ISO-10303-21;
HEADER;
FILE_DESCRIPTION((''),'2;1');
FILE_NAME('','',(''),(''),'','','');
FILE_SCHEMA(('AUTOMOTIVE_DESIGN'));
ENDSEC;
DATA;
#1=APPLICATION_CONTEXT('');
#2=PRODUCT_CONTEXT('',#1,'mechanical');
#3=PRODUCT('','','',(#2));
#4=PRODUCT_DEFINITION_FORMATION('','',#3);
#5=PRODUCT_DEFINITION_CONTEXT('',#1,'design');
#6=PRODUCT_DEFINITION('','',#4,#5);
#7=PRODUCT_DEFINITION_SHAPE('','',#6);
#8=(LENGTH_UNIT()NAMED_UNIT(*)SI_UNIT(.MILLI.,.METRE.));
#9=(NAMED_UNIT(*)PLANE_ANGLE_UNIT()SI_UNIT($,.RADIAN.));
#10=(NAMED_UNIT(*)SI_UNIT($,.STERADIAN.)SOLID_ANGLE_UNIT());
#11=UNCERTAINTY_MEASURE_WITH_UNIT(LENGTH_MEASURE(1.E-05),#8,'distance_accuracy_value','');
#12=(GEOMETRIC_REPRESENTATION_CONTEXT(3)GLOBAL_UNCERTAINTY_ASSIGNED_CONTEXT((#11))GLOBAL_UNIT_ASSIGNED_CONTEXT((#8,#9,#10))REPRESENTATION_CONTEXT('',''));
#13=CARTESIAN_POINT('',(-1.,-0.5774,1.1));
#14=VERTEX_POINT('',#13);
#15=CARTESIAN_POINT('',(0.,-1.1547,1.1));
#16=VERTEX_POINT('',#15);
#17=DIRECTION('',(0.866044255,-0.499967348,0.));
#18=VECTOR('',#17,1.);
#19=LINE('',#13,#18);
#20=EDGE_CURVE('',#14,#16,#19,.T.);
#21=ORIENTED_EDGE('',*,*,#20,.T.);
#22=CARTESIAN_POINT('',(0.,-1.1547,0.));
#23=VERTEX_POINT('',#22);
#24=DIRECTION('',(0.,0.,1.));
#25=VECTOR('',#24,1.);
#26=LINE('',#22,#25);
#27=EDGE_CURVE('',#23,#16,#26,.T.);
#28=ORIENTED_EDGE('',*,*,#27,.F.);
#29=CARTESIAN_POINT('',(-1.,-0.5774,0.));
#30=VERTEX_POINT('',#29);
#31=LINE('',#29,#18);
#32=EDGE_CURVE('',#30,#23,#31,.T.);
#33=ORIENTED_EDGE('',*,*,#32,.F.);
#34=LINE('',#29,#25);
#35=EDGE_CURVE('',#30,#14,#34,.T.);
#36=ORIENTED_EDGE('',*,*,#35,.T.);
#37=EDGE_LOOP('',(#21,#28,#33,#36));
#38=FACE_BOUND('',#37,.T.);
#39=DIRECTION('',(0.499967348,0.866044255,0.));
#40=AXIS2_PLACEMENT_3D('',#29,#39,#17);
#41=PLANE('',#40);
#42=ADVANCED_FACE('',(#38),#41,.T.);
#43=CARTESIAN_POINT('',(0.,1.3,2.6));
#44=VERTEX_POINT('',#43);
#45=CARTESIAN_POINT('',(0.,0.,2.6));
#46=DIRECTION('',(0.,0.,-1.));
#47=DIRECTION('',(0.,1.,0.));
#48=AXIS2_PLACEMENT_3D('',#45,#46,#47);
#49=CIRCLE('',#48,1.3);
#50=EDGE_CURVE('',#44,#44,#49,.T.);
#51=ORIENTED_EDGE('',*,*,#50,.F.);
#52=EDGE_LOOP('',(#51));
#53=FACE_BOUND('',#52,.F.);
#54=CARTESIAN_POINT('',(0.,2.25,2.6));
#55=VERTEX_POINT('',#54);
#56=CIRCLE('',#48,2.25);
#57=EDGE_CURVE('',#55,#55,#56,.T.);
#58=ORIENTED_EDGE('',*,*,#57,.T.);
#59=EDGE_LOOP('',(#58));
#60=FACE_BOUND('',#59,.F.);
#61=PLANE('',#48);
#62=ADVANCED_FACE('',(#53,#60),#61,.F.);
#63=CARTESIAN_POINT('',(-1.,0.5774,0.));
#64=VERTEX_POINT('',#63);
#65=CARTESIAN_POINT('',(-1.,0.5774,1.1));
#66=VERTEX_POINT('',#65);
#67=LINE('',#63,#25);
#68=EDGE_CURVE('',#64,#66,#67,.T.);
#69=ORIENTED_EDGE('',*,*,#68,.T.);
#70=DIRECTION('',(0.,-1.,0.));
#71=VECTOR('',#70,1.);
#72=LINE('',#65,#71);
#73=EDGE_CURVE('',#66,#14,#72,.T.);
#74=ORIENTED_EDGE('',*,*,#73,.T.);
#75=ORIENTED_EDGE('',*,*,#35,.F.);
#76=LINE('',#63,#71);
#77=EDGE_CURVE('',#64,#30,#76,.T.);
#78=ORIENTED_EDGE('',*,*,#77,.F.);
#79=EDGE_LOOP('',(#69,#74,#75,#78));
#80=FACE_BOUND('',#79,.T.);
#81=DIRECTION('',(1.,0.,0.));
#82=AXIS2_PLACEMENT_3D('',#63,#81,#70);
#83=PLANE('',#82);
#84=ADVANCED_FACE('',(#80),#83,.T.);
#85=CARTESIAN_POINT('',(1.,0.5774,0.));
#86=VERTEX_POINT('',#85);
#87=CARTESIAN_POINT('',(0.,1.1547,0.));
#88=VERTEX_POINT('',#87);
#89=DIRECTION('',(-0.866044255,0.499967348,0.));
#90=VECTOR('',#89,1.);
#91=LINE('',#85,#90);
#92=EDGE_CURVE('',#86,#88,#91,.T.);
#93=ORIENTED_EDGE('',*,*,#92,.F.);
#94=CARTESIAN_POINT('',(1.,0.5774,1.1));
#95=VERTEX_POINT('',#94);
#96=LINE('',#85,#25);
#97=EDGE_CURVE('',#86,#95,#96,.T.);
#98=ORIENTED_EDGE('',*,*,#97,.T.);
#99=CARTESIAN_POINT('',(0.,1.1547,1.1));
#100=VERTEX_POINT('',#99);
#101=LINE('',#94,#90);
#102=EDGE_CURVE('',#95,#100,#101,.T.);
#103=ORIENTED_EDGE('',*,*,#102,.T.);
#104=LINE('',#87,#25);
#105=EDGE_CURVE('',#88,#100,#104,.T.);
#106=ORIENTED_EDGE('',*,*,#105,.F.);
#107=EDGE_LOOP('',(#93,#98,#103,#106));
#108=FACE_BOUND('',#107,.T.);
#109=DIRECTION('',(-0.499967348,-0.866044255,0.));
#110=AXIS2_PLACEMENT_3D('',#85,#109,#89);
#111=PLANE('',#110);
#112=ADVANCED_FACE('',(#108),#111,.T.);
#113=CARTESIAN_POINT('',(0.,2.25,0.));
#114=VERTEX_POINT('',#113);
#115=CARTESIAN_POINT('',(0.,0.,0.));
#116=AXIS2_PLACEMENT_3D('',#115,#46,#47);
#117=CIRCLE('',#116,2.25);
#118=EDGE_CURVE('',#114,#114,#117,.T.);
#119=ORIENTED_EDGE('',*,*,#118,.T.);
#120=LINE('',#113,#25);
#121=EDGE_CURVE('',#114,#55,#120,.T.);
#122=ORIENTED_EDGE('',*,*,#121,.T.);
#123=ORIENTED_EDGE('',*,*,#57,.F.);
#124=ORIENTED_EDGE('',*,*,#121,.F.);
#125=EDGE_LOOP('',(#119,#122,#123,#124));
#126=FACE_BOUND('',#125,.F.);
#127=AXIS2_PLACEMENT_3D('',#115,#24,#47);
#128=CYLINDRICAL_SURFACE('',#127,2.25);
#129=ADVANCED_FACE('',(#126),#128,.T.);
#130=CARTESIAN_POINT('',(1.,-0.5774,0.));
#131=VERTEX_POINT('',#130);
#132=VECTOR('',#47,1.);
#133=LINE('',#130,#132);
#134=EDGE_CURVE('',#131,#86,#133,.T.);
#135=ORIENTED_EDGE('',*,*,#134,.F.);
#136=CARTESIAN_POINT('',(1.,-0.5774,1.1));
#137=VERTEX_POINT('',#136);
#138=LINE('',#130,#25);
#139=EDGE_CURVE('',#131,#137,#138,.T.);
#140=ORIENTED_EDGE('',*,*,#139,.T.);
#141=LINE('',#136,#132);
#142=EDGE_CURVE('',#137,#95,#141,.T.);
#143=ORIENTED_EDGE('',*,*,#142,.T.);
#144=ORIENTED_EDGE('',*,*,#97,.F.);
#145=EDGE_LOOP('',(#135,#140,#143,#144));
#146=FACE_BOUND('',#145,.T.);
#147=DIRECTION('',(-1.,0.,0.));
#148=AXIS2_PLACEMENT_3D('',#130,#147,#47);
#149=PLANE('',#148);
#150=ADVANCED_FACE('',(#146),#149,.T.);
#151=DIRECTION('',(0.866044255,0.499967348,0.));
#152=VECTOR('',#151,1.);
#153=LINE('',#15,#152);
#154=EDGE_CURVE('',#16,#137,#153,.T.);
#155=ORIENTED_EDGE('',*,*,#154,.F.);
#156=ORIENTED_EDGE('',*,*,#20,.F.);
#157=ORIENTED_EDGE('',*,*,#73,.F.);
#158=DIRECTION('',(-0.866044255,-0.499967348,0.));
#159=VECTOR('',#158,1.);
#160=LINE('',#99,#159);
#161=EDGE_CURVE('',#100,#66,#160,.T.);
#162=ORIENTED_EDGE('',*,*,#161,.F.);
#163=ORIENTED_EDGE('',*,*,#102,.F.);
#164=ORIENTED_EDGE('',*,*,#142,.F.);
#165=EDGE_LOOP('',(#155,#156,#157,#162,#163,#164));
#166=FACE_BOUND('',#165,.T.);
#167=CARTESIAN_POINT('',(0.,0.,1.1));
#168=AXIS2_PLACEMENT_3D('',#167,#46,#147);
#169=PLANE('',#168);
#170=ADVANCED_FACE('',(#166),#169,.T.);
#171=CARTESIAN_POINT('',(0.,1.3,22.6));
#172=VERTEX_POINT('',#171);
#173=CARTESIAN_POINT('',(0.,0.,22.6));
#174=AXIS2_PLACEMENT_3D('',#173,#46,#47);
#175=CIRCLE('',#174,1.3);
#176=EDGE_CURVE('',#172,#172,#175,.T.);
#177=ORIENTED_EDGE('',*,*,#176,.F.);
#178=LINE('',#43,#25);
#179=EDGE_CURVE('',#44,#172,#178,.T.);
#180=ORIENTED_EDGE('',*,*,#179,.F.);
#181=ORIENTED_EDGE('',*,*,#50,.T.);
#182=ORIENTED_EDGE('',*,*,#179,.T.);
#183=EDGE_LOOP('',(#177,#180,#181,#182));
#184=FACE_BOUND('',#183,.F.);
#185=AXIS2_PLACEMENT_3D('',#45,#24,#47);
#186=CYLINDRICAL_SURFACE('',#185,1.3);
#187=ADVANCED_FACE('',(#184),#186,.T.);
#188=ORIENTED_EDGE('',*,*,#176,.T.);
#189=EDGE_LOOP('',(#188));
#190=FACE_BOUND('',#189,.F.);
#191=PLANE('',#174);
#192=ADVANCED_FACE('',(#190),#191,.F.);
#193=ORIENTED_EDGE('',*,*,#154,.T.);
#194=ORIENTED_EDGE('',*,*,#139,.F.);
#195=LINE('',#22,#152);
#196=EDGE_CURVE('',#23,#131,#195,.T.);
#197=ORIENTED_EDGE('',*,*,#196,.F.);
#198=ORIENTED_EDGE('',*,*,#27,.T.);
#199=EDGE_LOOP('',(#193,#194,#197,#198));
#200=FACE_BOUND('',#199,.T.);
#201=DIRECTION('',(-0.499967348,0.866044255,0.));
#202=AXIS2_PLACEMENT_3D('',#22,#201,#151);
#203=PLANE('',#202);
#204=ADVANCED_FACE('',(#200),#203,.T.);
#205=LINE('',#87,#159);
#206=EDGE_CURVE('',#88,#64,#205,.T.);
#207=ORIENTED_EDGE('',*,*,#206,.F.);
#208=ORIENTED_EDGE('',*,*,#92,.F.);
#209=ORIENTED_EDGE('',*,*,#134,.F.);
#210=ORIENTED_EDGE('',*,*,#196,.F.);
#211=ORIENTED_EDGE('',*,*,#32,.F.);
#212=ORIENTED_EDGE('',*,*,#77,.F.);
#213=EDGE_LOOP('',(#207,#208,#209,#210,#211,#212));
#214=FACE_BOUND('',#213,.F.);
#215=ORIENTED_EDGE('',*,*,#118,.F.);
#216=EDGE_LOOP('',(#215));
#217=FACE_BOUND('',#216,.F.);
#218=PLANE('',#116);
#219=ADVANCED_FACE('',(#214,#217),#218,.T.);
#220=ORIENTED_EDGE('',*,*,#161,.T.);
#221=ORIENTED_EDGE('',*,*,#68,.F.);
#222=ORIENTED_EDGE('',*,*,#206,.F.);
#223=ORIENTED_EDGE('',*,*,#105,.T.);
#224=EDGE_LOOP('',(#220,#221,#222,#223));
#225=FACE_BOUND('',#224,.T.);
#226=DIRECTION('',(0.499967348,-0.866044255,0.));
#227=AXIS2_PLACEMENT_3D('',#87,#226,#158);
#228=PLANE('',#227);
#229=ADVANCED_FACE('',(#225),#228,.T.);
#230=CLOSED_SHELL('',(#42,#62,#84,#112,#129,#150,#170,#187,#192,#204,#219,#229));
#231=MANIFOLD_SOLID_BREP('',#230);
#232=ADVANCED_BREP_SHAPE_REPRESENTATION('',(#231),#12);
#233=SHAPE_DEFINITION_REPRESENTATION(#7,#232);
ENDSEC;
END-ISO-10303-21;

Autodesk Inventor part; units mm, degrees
ref_plane "YZ Plane" through (0, 0, 0) normal (1, 0, 0) x (0, 1, 0)
ref_plane "XZ Plane" through (0, 0, 0) normal (0, 1, 0) x (-1, 0, 0)
ref_plane "XY Plane" through (0, 0, 0) normal (0, 0, 1) x (1, 0, 0)
sketch "スケッチ1" plane through (0, 0, 0) normal (1, 0, 0) x (0, 1, 0)
  line L0 (0, 22.6) -> (0, 0)
  line L1 (0, 0) -> (2.25, 0)
  line L2 (2.25, 0) -> (2.25, 2.6)
  line L3 (2.25, 2.6) -> (1.3, 2.6)
  line L4 (1.3, 2.6) -> (1.3, 22.6)
  line L5 (1.3, 22.6) -> (0, 22.6)
  dimension "d2" = 2.6
  dimension "d10" = 20
  dimension "d11" = 2.6
  dimension "d12" = 4.5
revolve "回転1" add sketch "スケッチ1" angle 360 about axis through (0, 0, 22.6) along (0, 0, -1)
thread "ねじ1" size "M2.6x0.45" class "6g" standard "ANSI Metric M Profile" full length
sketch "スケッチ2" plane through (0, 0, 0) normal (0, 0, -1) x (-1, 0, 0)
  line L0 (0, 1.1547) -> (1, 0.5774)
  line L1 (1, 0.5774) -> (1, -0.5774)
  line L2 (1, -0.5774) -> (0, -1.1547)
  line L3 (0, -1.1547) -> (-1, -0.5774)
  line L4 (-1, -0.5774) -> (-1, 0.5774)
  line L5 (-1, 0.5774) -> (0, 1.1547)
  circle A0 centre (0, 0) radius 2.25 projected
  line L6 (0, 2.25) -> (0, -2.25) construction
  dimension "d7" = 2
extrude "押し出し1" cut sketch "スケッチ2" against normal blind 1.1 contours L0 L1 L2 L3 L4 L5
properties part number "FC-2620EB" material "チタン"
